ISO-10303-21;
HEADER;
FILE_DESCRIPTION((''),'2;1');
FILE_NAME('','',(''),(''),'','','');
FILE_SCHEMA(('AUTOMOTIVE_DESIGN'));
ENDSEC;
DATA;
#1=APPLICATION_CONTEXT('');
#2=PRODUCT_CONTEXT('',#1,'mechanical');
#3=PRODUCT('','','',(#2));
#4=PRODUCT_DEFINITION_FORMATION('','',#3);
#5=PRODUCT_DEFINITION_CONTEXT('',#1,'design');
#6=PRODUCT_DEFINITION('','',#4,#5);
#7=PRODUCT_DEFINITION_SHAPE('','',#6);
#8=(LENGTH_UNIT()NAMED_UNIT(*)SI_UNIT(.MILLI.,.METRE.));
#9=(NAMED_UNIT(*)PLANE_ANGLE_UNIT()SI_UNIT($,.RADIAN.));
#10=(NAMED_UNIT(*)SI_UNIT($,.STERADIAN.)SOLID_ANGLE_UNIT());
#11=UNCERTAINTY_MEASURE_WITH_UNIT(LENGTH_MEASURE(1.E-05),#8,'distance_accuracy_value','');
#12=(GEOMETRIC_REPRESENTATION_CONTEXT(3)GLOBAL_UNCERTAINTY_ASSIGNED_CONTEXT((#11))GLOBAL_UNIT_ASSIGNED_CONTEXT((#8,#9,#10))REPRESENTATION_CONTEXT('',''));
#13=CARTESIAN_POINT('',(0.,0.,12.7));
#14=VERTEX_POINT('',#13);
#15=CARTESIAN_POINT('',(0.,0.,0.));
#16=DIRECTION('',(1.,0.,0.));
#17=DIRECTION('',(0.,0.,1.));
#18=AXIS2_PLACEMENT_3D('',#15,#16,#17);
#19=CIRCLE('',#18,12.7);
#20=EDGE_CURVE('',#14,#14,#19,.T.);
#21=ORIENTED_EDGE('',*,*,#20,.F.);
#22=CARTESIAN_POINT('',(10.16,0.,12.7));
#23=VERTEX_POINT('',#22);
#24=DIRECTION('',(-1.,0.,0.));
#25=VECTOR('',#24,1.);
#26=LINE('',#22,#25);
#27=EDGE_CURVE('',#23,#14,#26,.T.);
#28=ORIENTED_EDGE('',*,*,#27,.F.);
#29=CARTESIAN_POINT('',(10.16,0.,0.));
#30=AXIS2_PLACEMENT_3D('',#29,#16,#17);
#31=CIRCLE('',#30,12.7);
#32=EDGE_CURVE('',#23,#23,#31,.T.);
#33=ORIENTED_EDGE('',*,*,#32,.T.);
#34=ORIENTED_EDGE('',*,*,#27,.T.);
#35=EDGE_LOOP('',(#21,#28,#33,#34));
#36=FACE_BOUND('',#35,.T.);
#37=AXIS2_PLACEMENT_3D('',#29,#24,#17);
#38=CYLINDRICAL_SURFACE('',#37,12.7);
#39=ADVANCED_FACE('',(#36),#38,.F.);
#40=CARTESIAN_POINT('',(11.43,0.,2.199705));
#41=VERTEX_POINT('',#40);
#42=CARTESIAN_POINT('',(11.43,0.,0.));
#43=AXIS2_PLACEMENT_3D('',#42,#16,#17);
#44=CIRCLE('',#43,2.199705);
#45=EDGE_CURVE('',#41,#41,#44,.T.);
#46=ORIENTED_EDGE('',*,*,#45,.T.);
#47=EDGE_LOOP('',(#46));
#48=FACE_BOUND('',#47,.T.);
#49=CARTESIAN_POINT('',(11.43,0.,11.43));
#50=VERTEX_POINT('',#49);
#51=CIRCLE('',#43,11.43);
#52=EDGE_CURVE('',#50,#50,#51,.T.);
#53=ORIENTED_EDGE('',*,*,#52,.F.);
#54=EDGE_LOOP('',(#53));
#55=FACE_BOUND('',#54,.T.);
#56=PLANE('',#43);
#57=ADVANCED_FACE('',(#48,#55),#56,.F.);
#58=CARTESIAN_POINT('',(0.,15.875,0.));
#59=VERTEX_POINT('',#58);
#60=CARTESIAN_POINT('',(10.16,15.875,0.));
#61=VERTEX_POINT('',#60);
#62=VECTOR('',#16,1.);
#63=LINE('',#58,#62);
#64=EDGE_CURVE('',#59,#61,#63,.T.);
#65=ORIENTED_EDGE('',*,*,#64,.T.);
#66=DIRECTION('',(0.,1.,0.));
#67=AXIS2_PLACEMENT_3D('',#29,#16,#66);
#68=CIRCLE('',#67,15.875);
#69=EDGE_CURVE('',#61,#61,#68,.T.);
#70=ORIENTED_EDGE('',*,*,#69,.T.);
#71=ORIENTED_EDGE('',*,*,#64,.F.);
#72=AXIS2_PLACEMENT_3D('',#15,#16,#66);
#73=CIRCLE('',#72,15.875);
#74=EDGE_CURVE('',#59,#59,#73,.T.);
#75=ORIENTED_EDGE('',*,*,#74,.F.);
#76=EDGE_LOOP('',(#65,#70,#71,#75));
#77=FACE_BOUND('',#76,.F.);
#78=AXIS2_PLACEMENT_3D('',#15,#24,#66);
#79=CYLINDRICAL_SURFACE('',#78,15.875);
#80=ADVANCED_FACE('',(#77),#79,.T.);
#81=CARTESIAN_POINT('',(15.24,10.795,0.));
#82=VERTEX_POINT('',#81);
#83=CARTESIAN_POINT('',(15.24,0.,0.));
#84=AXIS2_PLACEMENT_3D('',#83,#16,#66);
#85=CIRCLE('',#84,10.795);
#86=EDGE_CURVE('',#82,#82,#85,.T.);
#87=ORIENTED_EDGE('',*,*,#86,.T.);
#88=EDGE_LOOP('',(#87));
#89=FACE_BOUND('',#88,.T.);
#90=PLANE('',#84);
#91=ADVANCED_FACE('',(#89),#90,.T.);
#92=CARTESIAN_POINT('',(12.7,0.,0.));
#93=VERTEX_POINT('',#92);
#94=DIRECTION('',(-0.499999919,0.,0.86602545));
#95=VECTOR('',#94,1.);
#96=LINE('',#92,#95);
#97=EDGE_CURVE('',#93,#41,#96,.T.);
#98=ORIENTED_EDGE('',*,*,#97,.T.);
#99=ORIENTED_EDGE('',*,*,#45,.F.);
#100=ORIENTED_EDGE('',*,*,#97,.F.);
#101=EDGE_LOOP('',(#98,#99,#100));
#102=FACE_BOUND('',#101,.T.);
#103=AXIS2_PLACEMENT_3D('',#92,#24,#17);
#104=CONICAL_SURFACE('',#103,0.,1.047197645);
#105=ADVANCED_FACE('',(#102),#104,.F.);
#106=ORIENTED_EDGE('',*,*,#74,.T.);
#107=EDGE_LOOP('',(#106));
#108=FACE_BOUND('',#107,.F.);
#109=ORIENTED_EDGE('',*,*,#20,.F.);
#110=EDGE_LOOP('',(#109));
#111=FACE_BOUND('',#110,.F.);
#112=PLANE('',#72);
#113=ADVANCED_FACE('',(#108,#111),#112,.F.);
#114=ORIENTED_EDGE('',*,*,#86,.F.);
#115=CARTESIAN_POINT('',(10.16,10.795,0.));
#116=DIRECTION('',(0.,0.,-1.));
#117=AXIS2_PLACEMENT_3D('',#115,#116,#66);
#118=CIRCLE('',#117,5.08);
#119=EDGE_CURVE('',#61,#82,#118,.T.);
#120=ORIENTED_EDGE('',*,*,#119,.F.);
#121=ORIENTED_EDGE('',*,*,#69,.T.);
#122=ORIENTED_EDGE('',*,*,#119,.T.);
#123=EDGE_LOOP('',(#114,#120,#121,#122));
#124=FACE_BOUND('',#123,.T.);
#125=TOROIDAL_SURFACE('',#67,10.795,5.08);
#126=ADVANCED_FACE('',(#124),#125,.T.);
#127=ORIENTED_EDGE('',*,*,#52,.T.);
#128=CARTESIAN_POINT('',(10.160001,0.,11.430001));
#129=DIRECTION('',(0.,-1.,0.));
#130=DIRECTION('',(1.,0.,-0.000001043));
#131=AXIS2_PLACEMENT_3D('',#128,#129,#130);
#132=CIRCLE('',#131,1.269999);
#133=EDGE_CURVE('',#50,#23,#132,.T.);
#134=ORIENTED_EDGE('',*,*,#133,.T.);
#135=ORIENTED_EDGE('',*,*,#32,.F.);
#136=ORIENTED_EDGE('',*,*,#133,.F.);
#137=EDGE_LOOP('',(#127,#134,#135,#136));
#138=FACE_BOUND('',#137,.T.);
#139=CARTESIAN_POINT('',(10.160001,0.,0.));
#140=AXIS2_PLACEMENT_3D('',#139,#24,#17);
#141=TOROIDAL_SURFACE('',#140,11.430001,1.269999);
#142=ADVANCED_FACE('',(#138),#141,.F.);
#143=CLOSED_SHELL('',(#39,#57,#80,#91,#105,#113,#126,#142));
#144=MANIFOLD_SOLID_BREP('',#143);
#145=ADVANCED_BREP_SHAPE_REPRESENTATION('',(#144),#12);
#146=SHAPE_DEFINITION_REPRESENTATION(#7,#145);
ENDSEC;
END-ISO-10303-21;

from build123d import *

# Parameters (mm, degrees)
F0_R     = 15.875
F1_DEPTH = 15.24
F2_R     = 5.08


with BuildPart() as f1:
    # F0 (on Right) → F1 (new body)
    with BuildSketch(Plane.YZ):
        Circle(F0_R)
    extrude(amount=F1_DEPTH)

    # F2
    f2_edges = [f1.edges().sort_by_distance(p)[0] for p in [
        (15.24, -15.875, 0),
    ]]
    fillet(f2_edges, radius=F2_R)

    # F3 (on Front) → F4 (revolve, cut)
    with BuildSketch(Plane.XZ):
        with BuildLine():
            Line((0, 12.7), (0, 0))
            Line((0, 0), (12.7, 0))
            Line((12.7, 0), (11.43, 2.199705))
            Line((11.43, 2.199705), (11.43, 11.43))
            ThreePointArc((11.43, 11.43), (11.058026, 12.328026), (10.16, 12.7))
            Line((10.16, 12.7), (0, 12.7))
        make_face()
    revolve(axis=Axis((6.35, 0, 0), (1, 0, 0)), mode=Mode.SUBTRACT)


solid = f1.part
